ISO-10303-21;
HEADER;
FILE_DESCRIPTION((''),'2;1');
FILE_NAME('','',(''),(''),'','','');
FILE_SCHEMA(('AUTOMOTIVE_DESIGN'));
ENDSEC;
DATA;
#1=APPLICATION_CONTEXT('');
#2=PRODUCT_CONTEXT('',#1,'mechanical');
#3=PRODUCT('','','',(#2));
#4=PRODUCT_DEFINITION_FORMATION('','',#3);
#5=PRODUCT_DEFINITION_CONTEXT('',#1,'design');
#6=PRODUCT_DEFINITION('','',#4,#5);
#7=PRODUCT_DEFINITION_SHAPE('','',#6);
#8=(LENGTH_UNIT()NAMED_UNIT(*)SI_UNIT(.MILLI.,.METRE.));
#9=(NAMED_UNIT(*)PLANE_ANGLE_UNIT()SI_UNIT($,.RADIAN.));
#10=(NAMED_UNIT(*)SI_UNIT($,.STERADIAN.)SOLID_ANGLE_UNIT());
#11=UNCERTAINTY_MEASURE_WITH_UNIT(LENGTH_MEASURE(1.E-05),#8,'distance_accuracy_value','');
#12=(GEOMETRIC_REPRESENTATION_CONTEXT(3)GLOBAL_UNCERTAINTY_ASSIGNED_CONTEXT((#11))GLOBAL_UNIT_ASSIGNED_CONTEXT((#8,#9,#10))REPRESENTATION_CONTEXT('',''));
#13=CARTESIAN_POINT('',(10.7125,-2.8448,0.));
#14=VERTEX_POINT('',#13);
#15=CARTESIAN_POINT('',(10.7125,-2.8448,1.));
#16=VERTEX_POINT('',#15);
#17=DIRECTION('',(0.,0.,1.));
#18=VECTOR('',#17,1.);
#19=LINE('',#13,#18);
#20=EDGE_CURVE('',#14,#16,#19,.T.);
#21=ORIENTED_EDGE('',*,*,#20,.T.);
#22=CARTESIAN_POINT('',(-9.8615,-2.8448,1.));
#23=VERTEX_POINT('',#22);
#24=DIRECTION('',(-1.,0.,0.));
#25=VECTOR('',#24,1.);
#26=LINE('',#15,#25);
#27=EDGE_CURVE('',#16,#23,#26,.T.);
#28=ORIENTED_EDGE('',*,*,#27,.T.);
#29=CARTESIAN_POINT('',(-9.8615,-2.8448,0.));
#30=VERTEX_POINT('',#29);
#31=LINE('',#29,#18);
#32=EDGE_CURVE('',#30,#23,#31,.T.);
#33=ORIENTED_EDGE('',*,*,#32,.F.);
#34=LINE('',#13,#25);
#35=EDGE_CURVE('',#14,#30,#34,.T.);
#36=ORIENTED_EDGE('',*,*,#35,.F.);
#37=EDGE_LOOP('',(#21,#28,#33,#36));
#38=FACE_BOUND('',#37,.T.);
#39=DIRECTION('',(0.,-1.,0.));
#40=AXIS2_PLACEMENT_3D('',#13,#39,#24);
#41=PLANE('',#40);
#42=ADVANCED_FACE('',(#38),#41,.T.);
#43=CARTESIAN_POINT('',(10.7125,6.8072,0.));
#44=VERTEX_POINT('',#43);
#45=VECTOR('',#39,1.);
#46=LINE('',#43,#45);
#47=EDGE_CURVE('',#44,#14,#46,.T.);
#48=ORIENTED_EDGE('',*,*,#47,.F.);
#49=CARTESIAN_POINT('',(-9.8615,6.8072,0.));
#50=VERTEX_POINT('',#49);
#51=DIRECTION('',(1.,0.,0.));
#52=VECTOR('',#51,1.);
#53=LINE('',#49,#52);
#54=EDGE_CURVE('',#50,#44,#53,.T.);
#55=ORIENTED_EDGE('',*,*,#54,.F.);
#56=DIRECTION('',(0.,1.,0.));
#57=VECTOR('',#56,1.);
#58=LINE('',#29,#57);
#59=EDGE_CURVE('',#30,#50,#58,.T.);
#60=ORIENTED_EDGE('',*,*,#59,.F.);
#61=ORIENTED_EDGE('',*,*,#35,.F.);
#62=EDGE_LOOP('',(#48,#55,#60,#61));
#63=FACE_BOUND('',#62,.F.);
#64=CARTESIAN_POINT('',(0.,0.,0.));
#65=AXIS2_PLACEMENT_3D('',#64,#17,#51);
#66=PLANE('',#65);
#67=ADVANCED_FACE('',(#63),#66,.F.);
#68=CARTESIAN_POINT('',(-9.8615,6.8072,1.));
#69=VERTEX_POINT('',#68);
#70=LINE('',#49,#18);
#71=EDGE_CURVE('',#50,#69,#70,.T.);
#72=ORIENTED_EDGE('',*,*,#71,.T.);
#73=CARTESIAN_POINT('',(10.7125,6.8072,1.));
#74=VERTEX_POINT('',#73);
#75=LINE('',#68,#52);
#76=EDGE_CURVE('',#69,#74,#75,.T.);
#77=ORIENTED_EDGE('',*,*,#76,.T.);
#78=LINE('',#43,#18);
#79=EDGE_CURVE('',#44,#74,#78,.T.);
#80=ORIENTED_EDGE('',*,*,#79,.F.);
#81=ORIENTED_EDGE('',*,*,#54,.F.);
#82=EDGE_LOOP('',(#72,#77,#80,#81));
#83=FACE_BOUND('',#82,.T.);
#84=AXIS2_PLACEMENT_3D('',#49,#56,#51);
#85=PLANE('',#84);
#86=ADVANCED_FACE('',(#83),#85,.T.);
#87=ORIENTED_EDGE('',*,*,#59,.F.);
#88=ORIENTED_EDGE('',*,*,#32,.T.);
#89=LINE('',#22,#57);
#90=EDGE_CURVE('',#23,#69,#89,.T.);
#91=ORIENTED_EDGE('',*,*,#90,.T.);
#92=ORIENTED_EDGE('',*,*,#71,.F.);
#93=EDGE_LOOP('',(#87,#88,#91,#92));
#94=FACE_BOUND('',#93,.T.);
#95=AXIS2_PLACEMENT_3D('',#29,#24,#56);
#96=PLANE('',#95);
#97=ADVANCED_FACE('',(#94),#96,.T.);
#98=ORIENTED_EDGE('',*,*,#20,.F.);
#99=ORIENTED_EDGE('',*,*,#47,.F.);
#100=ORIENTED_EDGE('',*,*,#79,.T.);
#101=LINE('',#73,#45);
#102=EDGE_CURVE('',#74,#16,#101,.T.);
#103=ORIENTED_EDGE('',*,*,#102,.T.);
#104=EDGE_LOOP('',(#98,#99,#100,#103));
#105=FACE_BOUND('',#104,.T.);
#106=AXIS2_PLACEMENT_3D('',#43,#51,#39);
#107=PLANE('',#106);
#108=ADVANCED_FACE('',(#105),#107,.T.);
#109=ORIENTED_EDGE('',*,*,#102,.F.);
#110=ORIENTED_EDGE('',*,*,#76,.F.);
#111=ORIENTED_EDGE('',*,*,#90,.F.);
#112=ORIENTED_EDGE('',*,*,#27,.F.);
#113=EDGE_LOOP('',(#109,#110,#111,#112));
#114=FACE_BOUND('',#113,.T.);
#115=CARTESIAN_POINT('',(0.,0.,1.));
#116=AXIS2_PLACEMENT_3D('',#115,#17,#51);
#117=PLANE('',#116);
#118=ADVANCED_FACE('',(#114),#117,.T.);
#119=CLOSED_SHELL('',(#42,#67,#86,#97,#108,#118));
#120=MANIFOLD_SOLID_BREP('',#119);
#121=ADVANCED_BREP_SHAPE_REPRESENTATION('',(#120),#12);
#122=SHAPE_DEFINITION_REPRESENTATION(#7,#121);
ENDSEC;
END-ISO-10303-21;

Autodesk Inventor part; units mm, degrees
ref_plane "YZ Plane" through (0, 0, 0) normal (1, 0, 0) x (0, 1, 0)
ref_plane "XZ Plane" through (0, 0, 0) normal (0, 1, 0) x (-1, 0, 0)
ref_plane "XY Plane" through (0, 0, 0) normal (0, 0, 1) x (1, 0, 0)
sketch "TO-220-11, LMD18200T_54" plane through (0, 0, 0) normal (0, 0, 1) x (1, 0, 0)
  line L0 (-9.8615, 6.8072) -> (10.7125, 6.8072)
  line L1 (10.7125, 6.8072) -> (10.7125, -2.8448)
  line L2 (10.7125, -2.8448) -> (-9.8615, -2.8448)
  line L3 (-9.8615, -2.8448) -> (-9.8615, 6.8072)
extrude "Extrusion1" add sketch "TO-220-11, LMD18200T_54" along normal blind 1
properties part number "LMD18200T"
